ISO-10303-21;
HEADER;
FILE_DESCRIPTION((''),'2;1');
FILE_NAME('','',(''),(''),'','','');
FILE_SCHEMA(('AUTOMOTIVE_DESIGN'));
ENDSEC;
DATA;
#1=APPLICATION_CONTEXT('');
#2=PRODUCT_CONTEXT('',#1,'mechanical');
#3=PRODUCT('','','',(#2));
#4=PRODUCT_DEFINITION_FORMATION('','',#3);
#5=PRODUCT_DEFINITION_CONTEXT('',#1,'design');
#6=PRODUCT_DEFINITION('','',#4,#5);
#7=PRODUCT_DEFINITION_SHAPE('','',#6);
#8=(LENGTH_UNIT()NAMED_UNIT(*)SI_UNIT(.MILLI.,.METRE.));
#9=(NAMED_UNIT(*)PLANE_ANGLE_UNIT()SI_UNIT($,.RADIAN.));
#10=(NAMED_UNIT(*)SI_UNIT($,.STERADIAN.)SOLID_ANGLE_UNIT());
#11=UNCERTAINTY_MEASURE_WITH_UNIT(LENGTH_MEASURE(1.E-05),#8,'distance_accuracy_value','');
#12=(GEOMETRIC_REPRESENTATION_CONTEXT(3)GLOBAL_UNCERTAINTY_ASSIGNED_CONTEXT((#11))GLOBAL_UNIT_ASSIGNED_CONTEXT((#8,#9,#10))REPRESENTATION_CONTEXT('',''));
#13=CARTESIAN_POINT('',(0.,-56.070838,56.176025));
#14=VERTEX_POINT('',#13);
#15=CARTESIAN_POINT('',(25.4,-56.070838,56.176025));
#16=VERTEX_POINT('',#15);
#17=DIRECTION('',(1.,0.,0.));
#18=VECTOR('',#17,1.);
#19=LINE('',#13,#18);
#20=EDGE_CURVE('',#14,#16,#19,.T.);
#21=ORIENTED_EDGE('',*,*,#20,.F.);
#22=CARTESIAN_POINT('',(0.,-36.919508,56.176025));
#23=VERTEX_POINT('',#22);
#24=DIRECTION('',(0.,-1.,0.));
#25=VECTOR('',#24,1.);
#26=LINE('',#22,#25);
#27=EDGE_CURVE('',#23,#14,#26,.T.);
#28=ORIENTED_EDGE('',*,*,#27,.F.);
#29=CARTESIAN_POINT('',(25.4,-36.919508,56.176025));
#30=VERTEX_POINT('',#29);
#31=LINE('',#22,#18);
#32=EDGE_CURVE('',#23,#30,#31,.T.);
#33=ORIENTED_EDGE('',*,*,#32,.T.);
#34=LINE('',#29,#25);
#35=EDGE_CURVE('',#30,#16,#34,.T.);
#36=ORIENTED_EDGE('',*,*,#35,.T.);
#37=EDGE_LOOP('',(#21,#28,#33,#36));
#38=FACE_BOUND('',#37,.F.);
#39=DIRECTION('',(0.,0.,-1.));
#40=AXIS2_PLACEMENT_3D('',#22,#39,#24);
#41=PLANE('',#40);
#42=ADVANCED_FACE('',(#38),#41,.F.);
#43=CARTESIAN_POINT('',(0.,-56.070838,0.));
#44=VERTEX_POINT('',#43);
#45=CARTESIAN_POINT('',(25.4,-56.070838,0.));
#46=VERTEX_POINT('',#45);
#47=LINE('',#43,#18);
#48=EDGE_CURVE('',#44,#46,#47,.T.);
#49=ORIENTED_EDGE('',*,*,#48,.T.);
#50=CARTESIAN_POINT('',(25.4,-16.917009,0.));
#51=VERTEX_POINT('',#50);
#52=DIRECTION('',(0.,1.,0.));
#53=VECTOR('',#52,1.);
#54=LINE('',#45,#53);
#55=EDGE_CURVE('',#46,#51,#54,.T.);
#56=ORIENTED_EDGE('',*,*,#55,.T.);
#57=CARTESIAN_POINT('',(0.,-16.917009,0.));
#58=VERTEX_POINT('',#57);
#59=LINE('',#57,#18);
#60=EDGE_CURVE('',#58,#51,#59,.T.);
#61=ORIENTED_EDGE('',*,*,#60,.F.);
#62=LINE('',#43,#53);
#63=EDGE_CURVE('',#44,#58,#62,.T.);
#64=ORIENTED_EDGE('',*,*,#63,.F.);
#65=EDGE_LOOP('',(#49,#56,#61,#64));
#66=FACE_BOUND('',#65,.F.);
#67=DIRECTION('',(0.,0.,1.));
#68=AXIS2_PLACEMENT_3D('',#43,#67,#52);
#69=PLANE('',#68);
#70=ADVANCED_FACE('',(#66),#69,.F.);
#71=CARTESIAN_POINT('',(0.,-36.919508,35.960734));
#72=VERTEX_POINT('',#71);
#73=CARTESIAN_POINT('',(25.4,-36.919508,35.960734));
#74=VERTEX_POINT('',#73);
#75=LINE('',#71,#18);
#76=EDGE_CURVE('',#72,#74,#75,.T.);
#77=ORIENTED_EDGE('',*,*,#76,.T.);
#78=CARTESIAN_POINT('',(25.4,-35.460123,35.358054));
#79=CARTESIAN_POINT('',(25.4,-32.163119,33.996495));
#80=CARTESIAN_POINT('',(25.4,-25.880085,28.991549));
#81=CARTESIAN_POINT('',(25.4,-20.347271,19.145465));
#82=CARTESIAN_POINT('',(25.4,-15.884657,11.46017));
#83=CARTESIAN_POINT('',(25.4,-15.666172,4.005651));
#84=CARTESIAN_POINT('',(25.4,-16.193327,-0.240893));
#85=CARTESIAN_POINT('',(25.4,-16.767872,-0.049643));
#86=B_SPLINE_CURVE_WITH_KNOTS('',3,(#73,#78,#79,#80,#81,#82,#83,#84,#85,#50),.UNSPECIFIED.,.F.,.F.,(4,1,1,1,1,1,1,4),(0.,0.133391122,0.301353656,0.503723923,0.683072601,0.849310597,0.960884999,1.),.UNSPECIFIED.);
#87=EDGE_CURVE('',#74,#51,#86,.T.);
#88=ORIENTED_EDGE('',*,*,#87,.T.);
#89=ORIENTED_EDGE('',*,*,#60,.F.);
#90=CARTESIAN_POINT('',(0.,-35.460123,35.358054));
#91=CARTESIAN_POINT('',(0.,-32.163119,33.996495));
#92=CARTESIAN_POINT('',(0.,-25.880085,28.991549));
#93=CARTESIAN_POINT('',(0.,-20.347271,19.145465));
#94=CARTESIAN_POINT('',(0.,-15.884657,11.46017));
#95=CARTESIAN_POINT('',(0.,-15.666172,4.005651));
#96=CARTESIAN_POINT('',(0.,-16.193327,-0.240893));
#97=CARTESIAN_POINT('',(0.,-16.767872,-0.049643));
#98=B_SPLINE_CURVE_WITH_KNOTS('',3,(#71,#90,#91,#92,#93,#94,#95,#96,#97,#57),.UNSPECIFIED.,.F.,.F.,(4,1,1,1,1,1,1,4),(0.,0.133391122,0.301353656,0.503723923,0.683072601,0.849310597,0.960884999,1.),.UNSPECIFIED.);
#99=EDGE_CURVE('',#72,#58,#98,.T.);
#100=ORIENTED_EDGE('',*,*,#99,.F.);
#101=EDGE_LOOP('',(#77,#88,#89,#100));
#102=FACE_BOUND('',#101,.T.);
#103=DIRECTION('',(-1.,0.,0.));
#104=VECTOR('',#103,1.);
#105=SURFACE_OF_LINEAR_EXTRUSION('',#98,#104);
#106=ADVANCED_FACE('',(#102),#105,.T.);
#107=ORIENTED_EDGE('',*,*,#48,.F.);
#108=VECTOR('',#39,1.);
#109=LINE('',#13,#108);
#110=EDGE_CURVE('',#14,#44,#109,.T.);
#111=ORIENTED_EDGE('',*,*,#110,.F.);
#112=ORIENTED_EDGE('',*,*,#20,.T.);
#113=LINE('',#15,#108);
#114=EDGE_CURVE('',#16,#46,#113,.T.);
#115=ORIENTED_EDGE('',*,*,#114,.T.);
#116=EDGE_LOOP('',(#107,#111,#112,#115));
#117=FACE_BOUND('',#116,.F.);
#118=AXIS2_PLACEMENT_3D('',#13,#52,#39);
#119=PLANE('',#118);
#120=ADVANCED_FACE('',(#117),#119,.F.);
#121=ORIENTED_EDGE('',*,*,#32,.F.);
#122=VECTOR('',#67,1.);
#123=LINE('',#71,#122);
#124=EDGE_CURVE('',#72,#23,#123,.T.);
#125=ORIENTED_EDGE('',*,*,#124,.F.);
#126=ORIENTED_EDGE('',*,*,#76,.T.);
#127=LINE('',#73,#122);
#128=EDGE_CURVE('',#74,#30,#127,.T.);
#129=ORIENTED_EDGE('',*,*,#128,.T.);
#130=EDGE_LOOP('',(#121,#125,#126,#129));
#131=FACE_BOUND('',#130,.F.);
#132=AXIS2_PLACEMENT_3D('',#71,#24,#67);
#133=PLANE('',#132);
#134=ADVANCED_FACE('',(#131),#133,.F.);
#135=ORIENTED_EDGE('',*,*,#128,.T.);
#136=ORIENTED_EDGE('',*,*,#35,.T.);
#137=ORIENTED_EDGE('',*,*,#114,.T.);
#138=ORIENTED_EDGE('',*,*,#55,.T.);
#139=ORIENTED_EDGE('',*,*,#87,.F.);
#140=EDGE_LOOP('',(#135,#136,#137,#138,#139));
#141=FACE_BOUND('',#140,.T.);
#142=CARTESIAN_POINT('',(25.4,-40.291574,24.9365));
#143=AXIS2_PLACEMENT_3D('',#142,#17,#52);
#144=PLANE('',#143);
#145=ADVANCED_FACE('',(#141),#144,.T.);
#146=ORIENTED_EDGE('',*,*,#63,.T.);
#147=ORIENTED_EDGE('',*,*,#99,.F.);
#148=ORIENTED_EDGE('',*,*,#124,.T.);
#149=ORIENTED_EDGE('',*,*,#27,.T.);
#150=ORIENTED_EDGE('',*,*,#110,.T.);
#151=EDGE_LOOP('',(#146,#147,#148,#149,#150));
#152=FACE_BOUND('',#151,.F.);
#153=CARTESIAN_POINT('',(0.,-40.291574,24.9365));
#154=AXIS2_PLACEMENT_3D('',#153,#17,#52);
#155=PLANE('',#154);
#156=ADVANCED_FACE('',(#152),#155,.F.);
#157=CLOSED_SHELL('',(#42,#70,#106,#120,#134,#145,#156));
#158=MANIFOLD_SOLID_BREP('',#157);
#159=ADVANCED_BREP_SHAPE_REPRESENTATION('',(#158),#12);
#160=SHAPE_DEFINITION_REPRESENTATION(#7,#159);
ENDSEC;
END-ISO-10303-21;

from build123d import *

# Parameters (mm, degrees)
F1_DEPTH = 25.4


with BuildPart() as f1:
    # F0 (on Right) → F1 (new body)
    with BuildSketch(Plane.YZ):
        with BuildLine():
            Line((-36.9195081294, 56.1760254204), (-56.0708381236, 56.1760254204))
            Line((-56.0708381236, 56.1760254204), (-56.0708381236, 0))
            Line((-56.0708381236, 0), (-16.9170089066, 0))
            add(Edge.make_bspline(
                [(-36.9195081294, 35.9607338905), (-35.4601229338, 35.3580538857), (-32.1631189369, 33.9964953399), (-25.8800850757, 28.9915492914), (-20.347271317, 19.1454647502), (-15.8846570192, 11.4601698018), (-15.6661719788, 4.0056512293), (-16.1933271118, -0.2408932737), (-16.7678721462, -0.0496434244), (-16.9170089066, 0)],
                knots=[0, 0, 0, 0, 0.1333911224, 0.3013536556, 0.5037239231, 0.6830726009, 0.8493105973, 0.9608849994, 1, 1, 1, 1], degree=3))
            Line((-36.9195081294, 35.9607338905), (-36.9195081294, 56.1760254204))
        make_face()
    extrude(amount=F1_DEPTH)


solid = f1.part
